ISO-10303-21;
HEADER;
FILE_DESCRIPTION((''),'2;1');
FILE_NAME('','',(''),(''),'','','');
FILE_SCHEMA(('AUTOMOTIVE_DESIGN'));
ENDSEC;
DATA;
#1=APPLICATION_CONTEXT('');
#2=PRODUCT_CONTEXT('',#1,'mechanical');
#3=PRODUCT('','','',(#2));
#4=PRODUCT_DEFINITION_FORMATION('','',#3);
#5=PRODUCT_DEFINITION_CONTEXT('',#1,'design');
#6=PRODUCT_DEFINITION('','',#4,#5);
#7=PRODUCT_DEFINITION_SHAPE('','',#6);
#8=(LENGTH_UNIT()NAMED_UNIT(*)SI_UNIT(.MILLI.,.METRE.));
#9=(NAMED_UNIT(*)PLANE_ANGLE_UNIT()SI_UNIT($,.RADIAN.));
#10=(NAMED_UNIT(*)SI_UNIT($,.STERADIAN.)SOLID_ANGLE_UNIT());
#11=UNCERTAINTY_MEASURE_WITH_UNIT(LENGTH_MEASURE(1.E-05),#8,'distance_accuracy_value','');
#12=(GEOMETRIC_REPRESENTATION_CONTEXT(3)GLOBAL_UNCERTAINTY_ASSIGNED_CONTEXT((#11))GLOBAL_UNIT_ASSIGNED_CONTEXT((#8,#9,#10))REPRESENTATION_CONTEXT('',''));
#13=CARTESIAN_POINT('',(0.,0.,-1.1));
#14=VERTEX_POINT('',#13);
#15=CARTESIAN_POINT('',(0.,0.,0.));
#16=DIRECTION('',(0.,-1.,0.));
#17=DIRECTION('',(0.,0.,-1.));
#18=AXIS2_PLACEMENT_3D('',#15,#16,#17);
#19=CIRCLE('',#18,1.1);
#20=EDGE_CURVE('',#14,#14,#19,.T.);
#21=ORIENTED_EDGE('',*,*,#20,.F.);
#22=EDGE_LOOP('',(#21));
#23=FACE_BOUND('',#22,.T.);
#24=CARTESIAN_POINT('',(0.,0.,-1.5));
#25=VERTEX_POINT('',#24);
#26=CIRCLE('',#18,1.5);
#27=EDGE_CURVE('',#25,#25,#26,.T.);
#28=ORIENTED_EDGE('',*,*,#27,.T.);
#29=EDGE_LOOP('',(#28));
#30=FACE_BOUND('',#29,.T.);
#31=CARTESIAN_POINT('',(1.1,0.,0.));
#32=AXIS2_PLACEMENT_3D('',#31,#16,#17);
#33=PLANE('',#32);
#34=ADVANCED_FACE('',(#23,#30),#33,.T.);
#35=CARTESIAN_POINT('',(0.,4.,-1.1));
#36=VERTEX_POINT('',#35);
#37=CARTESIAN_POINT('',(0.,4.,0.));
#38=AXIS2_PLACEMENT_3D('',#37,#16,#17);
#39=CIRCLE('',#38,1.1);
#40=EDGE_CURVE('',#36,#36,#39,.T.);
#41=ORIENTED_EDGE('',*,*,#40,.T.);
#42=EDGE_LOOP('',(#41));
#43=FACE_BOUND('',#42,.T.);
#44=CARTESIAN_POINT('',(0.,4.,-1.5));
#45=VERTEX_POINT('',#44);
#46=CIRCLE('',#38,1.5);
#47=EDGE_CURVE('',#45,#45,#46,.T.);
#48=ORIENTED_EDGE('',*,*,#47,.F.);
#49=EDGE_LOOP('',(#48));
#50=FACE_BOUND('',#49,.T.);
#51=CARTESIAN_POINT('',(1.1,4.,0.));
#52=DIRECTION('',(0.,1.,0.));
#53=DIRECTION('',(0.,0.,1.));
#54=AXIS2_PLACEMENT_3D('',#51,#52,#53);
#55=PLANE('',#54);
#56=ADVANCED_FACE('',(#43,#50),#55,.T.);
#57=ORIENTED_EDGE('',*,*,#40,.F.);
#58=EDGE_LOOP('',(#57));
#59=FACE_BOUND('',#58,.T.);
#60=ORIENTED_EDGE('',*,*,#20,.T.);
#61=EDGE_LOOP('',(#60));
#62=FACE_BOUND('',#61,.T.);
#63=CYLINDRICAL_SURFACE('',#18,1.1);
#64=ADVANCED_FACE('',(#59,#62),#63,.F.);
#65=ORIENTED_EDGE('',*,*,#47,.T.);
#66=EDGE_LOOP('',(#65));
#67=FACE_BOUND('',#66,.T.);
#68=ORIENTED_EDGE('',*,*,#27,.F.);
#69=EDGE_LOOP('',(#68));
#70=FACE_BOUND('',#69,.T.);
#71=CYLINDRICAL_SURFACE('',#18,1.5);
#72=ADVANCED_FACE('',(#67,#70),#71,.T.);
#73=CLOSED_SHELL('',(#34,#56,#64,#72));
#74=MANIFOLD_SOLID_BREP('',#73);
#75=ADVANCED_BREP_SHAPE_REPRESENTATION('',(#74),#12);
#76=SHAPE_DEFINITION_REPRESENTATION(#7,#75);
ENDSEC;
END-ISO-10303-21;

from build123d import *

# Parameters (mm, degrees)
SKETCH1_W = 0.4
SKETCH1_H = 4


with BuildPart() as part:
    # Sketch1 → Revolve1 (revolve)
    with BuildSketch(Plane.XY):
        with Locations((1.3, 2)):
            Rectangle(SKETCH1_W, SKETCH1_H)
    revolve(axis=Axis((0, 0, 0), (0, 1, 0)))


solid = part.part
